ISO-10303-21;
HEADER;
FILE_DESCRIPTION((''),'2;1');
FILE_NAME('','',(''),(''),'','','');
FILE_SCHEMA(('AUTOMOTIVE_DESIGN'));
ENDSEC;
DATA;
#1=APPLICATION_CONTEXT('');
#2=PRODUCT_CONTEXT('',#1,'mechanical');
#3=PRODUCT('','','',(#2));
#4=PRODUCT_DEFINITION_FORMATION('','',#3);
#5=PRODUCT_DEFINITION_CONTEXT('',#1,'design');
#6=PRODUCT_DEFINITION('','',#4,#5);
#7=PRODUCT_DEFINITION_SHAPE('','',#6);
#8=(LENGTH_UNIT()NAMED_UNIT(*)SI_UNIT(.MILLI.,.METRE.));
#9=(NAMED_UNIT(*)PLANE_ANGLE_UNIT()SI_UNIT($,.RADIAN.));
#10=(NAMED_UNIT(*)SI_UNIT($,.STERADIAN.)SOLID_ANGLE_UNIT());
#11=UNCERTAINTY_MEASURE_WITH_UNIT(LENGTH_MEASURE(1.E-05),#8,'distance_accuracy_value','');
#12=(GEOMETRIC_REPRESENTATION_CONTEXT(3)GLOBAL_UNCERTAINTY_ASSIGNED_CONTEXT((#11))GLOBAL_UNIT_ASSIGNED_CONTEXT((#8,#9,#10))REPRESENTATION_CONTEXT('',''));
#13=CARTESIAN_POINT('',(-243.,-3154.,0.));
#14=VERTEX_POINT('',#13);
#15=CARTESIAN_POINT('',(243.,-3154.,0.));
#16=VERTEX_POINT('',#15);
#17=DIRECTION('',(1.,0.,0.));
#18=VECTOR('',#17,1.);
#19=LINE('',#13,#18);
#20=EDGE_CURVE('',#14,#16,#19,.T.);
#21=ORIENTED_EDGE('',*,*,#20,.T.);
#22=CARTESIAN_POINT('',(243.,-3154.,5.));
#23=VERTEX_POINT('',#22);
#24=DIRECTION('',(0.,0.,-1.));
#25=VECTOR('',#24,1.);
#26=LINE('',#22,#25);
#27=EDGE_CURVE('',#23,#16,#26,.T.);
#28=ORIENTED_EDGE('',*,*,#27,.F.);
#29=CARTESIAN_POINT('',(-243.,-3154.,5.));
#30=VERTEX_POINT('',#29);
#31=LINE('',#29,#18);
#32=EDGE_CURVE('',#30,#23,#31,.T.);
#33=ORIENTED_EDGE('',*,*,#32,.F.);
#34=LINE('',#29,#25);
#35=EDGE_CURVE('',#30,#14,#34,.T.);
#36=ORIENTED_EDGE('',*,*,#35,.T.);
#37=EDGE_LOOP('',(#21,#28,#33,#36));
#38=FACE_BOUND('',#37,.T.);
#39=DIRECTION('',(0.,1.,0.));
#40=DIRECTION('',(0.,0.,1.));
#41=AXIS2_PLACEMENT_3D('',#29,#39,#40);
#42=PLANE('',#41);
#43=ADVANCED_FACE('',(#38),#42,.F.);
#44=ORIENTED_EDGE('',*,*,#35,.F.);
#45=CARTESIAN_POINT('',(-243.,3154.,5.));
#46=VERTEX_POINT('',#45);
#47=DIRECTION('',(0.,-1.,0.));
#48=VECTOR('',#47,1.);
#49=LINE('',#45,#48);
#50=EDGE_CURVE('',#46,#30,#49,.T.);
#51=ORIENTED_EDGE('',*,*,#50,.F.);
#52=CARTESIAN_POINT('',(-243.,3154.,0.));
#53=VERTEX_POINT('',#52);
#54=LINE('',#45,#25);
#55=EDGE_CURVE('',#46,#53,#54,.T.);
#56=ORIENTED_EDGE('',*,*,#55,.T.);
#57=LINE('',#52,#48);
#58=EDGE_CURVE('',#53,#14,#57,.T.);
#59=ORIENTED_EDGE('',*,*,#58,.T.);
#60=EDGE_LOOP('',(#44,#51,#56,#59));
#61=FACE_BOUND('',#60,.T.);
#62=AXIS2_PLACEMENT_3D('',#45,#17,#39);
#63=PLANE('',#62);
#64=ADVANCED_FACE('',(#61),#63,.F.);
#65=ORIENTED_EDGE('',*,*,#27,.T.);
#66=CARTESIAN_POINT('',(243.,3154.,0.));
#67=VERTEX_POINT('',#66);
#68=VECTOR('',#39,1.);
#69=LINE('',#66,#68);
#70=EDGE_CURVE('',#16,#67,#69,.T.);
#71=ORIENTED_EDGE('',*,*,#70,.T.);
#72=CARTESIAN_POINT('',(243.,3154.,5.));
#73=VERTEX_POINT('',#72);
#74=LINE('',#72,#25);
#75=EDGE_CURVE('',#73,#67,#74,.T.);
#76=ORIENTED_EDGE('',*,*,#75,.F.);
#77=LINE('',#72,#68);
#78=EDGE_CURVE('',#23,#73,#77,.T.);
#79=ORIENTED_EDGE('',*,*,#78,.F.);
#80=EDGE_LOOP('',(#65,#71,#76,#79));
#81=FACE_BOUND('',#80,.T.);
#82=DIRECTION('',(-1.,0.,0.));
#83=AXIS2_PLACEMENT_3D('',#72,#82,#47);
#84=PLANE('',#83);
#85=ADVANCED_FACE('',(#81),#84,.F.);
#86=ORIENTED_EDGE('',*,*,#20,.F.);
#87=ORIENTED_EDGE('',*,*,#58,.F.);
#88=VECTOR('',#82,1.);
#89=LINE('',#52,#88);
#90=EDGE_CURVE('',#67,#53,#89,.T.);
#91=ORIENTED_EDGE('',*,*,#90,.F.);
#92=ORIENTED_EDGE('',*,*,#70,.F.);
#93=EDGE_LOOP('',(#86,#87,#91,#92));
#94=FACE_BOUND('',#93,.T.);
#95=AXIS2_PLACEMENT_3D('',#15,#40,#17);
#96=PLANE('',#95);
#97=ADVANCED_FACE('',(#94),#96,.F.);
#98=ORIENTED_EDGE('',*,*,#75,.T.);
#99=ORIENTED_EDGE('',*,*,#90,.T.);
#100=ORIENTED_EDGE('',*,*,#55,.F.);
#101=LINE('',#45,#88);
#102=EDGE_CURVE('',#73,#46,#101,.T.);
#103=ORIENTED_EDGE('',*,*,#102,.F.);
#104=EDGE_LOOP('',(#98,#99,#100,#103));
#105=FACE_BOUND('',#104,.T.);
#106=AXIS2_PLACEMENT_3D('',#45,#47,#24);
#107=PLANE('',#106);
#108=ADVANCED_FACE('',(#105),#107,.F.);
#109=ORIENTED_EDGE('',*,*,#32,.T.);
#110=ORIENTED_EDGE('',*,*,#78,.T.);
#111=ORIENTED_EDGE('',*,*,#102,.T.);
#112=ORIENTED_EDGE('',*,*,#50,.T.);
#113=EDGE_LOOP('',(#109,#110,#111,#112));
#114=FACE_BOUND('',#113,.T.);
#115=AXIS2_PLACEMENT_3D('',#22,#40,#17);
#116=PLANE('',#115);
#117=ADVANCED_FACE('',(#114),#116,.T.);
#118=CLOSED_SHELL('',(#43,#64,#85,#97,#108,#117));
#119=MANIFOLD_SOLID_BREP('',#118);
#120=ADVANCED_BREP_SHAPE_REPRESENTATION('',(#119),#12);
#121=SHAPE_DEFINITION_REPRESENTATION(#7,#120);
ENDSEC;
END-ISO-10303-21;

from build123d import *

# Parameters (mm, degrees)
SKETCH_1_W      = 486
SKETCH_1_H      = 6308
EXTRUDE_1_DEPTH = 5


with BuildPart() as part:
    # 草图1 → 凸台-拉伸1 (new body)
    with BuildSketch(Plane.XY):
        Rectangle(SKETCH_1_W, SKETCH_1_H)
    extrude(amount=EXTRUDE_1_DEPTH)


solid = part.part
